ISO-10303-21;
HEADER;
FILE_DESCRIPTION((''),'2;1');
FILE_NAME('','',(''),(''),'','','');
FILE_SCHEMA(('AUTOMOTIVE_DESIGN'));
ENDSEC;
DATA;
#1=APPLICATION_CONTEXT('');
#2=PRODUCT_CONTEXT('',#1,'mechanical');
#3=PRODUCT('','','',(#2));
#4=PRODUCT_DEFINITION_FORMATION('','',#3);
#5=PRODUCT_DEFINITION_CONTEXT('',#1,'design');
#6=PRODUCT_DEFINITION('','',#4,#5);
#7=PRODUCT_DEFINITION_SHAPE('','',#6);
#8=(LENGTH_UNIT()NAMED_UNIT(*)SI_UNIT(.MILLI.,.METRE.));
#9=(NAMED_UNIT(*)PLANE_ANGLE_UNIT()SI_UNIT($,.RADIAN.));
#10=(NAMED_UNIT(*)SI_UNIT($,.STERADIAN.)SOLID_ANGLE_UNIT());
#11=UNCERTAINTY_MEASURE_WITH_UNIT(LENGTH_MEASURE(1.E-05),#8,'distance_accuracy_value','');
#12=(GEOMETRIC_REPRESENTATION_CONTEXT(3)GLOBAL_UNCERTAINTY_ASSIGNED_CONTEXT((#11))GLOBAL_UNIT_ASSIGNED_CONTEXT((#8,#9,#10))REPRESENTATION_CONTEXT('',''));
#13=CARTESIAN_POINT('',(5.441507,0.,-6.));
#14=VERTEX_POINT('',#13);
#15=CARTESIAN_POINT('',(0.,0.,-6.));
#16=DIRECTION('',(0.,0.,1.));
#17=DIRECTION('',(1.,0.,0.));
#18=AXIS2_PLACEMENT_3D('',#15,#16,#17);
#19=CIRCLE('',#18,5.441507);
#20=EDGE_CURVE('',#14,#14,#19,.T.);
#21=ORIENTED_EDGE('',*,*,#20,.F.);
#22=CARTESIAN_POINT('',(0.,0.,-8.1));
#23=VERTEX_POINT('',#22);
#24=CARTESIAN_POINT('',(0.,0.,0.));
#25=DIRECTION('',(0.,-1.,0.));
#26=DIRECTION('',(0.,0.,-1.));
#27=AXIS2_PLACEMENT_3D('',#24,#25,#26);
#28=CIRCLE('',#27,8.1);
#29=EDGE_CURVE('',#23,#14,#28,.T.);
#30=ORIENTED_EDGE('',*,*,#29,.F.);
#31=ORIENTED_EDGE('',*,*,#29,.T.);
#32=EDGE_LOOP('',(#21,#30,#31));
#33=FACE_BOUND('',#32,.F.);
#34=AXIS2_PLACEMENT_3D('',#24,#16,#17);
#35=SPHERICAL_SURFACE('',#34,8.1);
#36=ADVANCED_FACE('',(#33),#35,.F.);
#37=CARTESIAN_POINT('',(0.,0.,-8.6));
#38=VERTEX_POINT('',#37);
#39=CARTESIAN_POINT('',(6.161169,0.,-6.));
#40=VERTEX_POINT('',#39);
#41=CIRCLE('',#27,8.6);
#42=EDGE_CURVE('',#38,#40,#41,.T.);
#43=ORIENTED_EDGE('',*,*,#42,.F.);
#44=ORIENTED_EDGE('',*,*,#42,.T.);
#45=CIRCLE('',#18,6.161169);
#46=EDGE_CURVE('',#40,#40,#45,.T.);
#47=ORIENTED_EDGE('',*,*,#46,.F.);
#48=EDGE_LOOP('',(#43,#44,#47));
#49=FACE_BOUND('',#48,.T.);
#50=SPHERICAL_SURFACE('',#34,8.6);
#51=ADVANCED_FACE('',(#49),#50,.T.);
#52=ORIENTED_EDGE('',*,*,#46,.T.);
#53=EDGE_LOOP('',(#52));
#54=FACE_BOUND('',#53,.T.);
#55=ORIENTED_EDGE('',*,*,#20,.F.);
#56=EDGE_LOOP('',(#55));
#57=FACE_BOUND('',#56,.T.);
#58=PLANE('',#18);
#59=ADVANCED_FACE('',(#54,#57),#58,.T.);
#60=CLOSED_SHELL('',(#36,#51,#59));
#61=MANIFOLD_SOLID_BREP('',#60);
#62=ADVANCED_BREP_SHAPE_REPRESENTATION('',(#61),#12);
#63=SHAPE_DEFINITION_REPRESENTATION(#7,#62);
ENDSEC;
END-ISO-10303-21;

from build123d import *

# Parameters (mm, degrees)
BOX_W     = 20
BOX_H     = 20
BOX_DEPTH = 19


with BuildPart() as cube:
    # Box → Box (new body)
    with BuildSketch(Plane(origin=(-10, -10, -6), x_dir=(1, 0, 0), z_dir=(0, 0, 1))):
        with Locations((10, 10)):
            Rectangle(BOX_W, BOX_H)
    extrude(amount=BOX_DEPTH)


with BuildPart() as sph_re001:
    # Sphere001 → Sphere001 (revolve)
    with BuildSketch(Plane.XZ):
        with BuildLine():
            ThreePointArc((0, -8.1), (8.1, 0), (0, 8.1))
            Line((0, 8.1), (0, -8.1))
        make_face()
    revolve(axis=Axis((0, 0, 0), (0, 0, 1)))


with BuildPart() as contact_lens:
    # Sphere → Sphere (revolve)
    with BuildSketch(Plane.XZ):
        with BuildLine():
            ThreePointArc((0, -8.6), (8.6, 0), (0, 8.6))
            Line((0, 8.6), (0, -8.6))
        make_face()
    revolve(axis=Axis((0, 0, 0), (0, 0, 1)))

    # Cut: cut Sphère001
    add(sph_re001.part, mode=Mode.SUBTRACT)

    # Cut001: cut Cube
    add(cube.part, mode=Mode.SUBTRACT)


solid = contact_lens.part
